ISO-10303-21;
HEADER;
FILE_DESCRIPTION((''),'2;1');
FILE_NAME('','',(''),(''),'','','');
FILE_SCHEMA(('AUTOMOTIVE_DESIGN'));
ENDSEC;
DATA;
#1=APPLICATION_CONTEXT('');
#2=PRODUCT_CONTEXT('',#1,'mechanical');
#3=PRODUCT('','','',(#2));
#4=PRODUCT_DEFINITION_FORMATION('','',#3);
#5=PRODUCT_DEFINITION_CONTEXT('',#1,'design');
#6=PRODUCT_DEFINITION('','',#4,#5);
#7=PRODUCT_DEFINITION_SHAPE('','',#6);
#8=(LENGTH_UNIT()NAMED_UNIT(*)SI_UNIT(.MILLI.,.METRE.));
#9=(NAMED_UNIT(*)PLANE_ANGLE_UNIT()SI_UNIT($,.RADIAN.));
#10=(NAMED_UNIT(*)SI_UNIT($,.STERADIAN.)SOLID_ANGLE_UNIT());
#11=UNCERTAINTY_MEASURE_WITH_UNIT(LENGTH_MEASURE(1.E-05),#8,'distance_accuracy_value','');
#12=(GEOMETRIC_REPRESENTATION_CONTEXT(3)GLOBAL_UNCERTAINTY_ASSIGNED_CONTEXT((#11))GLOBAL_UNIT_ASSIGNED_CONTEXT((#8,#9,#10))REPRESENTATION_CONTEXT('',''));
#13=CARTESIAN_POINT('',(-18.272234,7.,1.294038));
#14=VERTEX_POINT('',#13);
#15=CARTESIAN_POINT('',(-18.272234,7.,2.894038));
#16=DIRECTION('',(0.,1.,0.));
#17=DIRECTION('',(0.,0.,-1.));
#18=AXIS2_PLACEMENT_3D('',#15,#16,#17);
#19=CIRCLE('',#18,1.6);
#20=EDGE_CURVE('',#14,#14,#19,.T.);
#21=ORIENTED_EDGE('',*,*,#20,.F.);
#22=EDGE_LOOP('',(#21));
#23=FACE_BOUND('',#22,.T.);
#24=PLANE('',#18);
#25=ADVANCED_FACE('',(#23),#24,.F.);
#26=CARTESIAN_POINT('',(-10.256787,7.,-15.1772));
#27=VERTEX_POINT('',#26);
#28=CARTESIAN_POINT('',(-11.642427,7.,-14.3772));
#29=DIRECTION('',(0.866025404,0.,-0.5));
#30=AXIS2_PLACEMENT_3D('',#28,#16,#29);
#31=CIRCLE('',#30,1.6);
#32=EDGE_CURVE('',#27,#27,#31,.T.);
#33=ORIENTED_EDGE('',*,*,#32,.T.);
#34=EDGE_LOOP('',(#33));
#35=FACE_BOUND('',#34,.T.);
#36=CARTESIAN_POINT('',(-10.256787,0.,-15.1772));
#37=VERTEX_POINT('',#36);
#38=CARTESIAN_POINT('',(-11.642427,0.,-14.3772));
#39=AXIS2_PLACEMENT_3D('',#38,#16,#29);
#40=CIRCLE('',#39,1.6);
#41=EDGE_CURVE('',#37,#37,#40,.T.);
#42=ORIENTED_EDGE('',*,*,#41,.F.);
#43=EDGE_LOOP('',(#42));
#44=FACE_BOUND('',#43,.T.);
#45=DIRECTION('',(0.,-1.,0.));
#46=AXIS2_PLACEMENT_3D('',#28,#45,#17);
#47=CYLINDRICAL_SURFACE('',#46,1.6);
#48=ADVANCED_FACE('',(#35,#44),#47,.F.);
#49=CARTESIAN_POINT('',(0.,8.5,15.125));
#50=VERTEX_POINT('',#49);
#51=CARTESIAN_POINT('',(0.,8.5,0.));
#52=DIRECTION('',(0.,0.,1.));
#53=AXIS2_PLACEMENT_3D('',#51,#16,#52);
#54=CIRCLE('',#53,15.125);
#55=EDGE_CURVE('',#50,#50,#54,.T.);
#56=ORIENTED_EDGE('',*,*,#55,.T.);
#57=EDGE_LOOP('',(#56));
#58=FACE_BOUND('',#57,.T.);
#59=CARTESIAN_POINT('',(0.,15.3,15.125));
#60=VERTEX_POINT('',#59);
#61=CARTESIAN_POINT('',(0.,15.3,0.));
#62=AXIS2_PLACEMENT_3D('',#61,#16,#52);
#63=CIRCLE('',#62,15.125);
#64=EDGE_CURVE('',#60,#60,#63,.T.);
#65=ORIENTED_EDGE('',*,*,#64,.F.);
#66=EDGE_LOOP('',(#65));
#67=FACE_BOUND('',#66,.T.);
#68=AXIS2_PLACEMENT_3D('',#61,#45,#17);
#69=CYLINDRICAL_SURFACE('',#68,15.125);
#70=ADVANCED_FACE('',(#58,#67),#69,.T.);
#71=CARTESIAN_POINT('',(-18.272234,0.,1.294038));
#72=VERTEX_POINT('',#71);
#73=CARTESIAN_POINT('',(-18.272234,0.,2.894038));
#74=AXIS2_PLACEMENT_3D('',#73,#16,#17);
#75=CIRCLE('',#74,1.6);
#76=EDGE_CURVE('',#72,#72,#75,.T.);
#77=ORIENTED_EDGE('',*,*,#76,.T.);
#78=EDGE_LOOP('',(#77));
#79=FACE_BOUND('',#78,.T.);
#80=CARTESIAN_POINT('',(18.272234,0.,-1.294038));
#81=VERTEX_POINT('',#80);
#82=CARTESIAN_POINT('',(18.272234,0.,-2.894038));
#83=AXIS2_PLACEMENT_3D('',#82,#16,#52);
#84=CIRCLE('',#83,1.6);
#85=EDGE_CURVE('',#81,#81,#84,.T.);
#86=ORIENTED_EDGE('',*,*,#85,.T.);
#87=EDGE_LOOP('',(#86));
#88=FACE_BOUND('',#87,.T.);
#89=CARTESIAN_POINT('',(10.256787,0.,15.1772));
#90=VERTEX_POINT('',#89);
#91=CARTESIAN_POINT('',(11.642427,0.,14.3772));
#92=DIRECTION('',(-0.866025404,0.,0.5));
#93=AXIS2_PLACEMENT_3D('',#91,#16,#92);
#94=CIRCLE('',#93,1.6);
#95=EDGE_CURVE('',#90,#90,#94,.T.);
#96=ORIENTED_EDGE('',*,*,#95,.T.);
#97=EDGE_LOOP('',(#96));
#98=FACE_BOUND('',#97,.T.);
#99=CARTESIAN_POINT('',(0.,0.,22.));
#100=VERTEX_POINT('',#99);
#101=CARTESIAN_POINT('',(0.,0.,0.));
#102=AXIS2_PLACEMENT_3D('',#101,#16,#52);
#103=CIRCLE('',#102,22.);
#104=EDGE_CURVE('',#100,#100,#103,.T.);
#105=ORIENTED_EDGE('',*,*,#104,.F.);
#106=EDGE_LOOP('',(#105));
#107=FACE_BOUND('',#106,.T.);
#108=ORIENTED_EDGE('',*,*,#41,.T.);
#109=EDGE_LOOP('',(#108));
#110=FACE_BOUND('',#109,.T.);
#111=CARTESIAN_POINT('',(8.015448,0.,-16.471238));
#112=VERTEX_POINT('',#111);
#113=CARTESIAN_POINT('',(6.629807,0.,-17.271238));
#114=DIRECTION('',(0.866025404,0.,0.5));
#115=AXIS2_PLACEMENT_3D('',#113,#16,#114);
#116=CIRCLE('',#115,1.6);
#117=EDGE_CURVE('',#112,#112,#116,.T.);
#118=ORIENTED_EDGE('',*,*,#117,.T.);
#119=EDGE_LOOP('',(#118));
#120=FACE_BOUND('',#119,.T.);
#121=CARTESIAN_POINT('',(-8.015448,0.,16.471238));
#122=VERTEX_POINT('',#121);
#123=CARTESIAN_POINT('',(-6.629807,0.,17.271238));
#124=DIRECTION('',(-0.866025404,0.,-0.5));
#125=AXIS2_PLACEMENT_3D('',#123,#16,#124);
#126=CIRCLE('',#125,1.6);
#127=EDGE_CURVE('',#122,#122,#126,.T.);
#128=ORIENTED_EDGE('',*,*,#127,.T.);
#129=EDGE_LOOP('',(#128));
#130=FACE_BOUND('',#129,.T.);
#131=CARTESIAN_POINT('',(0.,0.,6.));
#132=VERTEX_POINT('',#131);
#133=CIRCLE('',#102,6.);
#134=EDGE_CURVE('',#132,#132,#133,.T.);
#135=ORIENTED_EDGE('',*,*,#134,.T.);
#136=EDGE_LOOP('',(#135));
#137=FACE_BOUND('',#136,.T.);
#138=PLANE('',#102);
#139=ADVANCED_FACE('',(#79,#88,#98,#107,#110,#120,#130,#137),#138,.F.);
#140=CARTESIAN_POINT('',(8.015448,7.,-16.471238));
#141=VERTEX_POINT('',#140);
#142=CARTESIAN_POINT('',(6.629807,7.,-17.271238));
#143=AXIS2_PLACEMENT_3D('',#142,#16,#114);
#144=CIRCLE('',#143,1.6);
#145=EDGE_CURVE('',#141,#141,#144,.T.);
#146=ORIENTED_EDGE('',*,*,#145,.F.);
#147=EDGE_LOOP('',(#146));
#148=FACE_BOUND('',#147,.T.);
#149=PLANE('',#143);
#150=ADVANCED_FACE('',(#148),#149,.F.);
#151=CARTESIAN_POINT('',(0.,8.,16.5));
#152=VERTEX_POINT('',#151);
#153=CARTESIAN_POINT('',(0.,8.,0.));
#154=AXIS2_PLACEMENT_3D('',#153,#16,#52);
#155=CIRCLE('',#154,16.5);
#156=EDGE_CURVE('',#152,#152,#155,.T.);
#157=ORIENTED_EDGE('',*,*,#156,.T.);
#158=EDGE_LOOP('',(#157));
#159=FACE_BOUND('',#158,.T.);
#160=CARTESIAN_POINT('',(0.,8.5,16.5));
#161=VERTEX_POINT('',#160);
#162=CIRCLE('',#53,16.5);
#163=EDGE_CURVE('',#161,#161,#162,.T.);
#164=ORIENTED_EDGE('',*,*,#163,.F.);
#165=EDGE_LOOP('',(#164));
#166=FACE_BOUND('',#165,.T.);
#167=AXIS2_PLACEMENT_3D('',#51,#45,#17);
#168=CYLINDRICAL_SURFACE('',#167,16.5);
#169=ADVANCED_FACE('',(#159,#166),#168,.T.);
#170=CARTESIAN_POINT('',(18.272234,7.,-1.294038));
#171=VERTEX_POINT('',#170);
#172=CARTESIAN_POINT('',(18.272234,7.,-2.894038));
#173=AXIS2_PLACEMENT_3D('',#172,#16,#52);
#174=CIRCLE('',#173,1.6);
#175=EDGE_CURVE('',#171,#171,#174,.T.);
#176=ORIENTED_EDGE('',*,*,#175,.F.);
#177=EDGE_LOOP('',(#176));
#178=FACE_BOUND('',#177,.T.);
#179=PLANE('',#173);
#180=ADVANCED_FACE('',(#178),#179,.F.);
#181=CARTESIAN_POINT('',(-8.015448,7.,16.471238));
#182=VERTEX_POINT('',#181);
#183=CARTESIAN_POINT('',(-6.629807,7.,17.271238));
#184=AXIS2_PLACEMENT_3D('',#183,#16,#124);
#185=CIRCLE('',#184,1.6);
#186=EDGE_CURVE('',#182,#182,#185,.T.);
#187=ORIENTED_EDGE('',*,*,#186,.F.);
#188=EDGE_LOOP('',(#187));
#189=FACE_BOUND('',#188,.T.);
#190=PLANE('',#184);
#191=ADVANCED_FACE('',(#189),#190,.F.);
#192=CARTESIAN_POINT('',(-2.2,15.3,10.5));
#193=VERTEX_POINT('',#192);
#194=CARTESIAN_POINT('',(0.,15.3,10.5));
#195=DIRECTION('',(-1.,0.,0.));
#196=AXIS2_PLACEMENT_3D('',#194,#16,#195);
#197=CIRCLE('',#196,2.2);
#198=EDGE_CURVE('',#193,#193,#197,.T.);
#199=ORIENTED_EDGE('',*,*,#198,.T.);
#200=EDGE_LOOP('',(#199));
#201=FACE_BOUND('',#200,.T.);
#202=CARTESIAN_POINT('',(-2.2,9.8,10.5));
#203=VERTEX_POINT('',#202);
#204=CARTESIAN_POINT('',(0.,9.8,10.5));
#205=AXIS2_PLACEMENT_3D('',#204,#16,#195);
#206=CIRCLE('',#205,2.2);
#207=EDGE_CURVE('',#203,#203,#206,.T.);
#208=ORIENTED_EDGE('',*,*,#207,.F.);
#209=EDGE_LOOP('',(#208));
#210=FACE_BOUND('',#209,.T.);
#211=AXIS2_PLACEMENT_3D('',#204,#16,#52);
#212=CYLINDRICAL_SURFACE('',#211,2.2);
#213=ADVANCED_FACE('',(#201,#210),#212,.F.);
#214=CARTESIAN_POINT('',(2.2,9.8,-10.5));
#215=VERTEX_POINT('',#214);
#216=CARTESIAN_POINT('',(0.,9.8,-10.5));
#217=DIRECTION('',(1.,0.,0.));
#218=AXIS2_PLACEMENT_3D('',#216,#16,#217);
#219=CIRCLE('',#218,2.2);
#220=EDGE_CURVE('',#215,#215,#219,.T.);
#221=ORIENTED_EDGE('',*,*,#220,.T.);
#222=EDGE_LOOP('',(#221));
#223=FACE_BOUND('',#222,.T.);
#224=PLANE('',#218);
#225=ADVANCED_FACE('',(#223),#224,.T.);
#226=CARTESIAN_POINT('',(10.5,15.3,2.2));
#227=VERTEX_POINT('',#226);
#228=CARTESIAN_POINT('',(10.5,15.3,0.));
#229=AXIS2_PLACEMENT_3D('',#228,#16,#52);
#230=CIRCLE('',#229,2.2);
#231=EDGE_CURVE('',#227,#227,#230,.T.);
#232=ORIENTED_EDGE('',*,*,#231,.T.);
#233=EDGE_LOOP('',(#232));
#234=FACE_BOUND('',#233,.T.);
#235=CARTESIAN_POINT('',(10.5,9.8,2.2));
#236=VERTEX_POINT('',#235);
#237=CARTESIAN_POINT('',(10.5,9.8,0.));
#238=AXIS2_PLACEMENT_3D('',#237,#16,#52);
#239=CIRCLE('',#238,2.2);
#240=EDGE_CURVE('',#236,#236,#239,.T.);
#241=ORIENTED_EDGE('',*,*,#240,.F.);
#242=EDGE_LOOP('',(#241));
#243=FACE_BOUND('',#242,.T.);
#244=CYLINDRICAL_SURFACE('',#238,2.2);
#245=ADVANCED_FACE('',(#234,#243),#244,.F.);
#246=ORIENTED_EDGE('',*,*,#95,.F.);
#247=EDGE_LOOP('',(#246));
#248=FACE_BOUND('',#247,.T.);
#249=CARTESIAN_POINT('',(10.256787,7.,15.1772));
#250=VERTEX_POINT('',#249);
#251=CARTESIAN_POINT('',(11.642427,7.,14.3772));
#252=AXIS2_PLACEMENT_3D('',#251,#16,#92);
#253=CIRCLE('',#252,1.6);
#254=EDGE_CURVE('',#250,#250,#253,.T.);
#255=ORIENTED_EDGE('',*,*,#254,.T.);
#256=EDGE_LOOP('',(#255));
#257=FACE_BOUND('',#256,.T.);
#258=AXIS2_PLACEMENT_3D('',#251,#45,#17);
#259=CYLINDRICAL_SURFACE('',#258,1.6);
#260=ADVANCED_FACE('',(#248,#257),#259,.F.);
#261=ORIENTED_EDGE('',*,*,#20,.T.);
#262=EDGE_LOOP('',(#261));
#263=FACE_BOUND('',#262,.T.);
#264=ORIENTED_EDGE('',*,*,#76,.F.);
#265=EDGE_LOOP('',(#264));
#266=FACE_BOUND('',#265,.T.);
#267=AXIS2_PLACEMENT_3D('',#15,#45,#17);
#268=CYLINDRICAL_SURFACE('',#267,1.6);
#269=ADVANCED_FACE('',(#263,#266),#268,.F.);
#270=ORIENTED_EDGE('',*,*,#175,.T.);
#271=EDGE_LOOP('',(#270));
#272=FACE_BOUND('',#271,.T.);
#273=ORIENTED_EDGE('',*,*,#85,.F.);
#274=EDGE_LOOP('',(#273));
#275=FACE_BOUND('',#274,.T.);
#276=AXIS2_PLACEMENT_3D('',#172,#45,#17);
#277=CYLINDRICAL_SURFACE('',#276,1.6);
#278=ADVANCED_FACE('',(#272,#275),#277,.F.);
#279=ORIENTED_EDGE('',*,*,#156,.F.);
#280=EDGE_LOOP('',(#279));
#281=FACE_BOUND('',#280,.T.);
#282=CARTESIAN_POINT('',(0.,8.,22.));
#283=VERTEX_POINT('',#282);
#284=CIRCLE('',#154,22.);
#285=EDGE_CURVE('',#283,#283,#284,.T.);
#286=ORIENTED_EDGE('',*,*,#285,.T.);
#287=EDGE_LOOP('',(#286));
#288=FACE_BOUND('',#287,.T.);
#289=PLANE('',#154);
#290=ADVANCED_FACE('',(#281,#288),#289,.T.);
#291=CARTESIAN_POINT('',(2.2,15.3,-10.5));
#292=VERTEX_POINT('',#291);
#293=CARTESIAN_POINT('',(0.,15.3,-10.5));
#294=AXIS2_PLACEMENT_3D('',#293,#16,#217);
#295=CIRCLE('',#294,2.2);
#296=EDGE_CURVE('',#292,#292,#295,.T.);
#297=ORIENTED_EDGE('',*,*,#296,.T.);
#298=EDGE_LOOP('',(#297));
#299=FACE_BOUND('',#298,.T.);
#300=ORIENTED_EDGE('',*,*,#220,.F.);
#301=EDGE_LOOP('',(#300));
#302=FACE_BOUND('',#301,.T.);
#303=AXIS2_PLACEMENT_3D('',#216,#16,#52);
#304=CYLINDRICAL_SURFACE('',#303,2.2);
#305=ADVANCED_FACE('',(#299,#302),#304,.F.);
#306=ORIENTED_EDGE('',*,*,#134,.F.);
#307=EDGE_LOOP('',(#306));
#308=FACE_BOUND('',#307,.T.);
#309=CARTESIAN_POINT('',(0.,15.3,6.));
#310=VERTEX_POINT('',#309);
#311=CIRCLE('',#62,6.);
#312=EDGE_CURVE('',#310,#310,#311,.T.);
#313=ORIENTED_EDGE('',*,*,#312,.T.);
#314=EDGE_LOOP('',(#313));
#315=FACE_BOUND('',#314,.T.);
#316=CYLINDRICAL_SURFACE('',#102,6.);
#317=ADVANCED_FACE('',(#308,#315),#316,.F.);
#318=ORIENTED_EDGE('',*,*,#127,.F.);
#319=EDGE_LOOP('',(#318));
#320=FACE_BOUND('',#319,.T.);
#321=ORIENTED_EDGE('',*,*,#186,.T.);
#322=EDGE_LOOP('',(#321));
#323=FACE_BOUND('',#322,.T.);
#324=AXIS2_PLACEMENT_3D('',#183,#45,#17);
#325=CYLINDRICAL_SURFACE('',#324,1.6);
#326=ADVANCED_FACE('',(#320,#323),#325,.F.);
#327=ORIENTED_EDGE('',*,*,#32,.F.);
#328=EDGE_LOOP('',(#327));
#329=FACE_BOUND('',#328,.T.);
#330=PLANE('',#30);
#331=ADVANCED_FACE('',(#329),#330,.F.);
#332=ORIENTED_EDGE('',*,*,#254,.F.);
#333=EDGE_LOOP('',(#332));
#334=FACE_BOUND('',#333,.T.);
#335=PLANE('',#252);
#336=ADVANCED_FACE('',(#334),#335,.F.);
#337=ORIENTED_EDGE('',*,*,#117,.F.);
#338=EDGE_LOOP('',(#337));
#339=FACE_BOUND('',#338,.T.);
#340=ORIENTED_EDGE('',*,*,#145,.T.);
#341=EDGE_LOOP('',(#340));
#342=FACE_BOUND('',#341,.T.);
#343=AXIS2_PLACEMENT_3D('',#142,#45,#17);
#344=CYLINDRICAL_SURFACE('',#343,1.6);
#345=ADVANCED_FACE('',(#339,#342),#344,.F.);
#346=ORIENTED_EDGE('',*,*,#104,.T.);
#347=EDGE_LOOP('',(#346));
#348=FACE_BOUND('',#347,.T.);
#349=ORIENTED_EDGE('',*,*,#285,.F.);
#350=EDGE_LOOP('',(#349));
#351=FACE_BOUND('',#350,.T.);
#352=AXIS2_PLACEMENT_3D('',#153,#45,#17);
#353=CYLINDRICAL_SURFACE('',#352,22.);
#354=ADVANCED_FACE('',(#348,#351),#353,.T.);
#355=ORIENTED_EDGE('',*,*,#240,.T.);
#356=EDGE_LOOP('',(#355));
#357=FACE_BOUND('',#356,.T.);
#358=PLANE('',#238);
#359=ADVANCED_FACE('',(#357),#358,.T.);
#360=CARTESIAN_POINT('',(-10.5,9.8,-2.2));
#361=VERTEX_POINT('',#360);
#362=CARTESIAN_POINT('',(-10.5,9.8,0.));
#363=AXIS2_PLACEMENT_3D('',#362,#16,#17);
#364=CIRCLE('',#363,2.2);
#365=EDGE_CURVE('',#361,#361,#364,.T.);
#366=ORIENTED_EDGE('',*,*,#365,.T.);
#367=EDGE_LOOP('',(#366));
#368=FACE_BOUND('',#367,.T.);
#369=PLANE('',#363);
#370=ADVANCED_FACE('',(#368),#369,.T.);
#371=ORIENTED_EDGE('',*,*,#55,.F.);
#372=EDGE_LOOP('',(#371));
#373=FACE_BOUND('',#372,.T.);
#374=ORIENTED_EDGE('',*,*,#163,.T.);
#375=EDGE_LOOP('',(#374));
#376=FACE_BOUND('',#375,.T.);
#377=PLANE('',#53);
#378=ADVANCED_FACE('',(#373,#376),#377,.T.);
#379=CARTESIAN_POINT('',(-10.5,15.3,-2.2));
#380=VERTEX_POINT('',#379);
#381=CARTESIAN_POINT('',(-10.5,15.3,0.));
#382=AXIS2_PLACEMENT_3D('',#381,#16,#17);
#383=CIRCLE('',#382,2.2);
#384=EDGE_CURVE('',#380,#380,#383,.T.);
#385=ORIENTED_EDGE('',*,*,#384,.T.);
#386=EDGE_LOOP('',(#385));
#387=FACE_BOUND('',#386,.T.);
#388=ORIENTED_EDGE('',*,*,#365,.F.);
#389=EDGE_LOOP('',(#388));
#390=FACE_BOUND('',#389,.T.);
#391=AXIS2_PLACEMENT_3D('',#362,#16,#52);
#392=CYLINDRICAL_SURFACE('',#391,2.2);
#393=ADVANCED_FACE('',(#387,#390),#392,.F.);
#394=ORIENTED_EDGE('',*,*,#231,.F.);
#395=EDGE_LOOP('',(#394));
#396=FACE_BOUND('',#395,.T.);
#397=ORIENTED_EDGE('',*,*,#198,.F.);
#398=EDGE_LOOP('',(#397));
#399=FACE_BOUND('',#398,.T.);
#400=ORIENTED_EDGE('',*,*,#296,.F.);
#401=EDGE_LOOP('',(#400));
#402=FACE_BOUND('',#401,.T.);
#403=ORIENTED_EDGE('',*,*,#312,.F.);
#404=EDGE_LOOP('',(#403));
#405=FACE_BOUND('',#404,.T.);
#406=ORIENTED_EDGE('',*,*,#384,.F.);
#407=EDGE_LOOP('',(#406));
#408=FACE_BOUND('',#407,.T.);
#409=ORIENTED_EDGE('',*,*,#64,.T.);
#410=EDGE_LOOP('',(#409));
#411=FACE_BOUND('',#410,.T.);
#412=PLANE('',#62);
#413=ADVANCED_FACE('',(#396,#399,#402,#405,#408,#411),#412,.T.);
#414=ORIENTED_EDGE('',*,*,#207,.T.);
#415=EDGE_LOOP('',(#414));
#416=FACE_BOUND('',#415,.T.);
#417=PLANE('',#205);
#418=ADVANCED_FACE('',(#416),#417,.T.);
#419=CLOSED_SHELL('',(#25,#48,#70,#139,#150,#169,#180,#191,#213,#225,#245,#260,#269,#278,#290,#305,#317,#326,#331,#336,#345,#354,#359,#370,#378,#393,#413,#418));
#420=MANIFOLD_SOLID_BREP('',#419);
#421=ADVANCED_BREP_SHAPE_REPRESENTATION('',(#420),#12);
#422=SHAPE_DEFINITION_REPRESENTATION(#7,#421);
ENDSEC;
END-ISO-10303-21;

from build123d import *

# Parameters (mm, degrees)
SKETCH1_R           = 22
BOSS_EXTRUDE1_DEPTH = 8
SKETCH2_R           = 16.5
BOSS_EXTRUDE2_DEPTH = 0.5
SKETCH3_R           = 15.125
BOSS_EXTRUDE3_DEPTH = 6.8
SKETCH4_R           = 6
CUT_EXTRUDE1_DEPTH  = 35.671169579
SKETCH5_R           = 1.6
CUT_EXTRUDE2_DEPTH  = 7
CIRPATTERN1_COUNT   = 6
SKETCH6_R           = 2.2
CUT_EXTRUDE3_DEPTH  = 5.5
CIRPATTERN2_COUNT   = 4


with BuildPart() as part:
    # Sketch1 → Boss-Extrude1 (new body)
    with BuildSketch(Plane(origin=(0, 0, 0), x_dir=(1, 0, 0), z_dir=(0, 1, 0))):
        with Locations(Location((0, 0, 0), (0, 0, 270))):
            Circle(SKETCH1_R)
    extrude(amount=BOSS_EXTRUDE1_DEPTH)

    # Sketch2 → Boss-Extrude2 (add)
    with BuildSketch(Plane(origin=(0, 8, 0), x_dir=(1, 0, 0), z_dir=(0, 1, 0))):
        with Locations(Location((0, 0, 0), (0, 0, 270))):
            Circle(SKETCH2_R)
    extrude(amount=BOSS_EXTRUDE2_DEPTH)

    # Sketch3 → Boss-Extrude3 (add)
    with BuildSketch(Plane(origin=(0, 8.5, 0), x_dir=(1, 0, 0), z_dir=(0, 1, 0))):
        with Locations(Location((0, 0, 0), (0, 0, 270))):
            Circle(SKETCH3_R)
    extrude(amount=BOSS_EXTRUDE3_DEPTH)

    # Sketch4 → Cut-Extrude1 (cut, through all)
    with BuildSketch(Plane(origin=(0, 15.3, 0), x_dir=(1, 0, 0), z_dir=(0, 1, 0))):
        with Locations(Location((0, 0, 0), (0, 0, 270))):
            Circle(SKETCH4_R)
    extrude(amount=-CUT_EXTRUDE1_DEPTH, mode=Mode.SUBTRACT)

    # Sketch5 → Cut-Extrude2 (cut)
    with BuildSketch(Plane(origin=(0, 0, 0), x_dir=(1, 0, 0), z_dir=(0, 1, 0))):
        with Locations(Location((18.272234301, 2.894037603, 0), (0, 0, 270))):
            Circle(SKETCH5_R)
    cut_extrude2 = extrude(amount=CUT_EXTRUDE2_DEPTH, mode=Mode.SUBTRACT)

    # CirPattern1: Cut-Extrude2 ×6 about axis
    cirpattern1_axis = Axis((0, 0, 0), (0, 1, 0))
    for i in range(1, CIRPATTERN1_COUNT):
        add(cut_extrude2.rotate(cirpattern1_axis, i * 360 / CIRPATTERN1_COUNT), mode=Mode.SUBTRACT)

    # Sketch6 → Cut-Extrude3 (cut)
    with BuildSketch(Plane(origin=(0, 15.3, 0), x_dir=(1, 0, 0), z_dir=(0, 1, 0))):
        with Locations(Location((10.5, 0, 0), (0, 0, 270))):
            Circle(SKETCH6_R)
    cut_extrude3 = extrude(amount=-CUT_EXTRUDE3_DEPTH, mode=Mode.SUBTRACT)

    # CirPattern2: Cut-Extrude3 ×4 about axis
    cirpattern2_axis = Axis((0, 0, 0), (0, 1, 0))
    for i in range(1, CIRPATTERN2_COUNT):
        add(cut_extrude3.rotate(cirpattern2_axis, i * 360 / CIRPATTERN2_COUNT), mode=Mode.SUBTRACT)


solid = part.part
